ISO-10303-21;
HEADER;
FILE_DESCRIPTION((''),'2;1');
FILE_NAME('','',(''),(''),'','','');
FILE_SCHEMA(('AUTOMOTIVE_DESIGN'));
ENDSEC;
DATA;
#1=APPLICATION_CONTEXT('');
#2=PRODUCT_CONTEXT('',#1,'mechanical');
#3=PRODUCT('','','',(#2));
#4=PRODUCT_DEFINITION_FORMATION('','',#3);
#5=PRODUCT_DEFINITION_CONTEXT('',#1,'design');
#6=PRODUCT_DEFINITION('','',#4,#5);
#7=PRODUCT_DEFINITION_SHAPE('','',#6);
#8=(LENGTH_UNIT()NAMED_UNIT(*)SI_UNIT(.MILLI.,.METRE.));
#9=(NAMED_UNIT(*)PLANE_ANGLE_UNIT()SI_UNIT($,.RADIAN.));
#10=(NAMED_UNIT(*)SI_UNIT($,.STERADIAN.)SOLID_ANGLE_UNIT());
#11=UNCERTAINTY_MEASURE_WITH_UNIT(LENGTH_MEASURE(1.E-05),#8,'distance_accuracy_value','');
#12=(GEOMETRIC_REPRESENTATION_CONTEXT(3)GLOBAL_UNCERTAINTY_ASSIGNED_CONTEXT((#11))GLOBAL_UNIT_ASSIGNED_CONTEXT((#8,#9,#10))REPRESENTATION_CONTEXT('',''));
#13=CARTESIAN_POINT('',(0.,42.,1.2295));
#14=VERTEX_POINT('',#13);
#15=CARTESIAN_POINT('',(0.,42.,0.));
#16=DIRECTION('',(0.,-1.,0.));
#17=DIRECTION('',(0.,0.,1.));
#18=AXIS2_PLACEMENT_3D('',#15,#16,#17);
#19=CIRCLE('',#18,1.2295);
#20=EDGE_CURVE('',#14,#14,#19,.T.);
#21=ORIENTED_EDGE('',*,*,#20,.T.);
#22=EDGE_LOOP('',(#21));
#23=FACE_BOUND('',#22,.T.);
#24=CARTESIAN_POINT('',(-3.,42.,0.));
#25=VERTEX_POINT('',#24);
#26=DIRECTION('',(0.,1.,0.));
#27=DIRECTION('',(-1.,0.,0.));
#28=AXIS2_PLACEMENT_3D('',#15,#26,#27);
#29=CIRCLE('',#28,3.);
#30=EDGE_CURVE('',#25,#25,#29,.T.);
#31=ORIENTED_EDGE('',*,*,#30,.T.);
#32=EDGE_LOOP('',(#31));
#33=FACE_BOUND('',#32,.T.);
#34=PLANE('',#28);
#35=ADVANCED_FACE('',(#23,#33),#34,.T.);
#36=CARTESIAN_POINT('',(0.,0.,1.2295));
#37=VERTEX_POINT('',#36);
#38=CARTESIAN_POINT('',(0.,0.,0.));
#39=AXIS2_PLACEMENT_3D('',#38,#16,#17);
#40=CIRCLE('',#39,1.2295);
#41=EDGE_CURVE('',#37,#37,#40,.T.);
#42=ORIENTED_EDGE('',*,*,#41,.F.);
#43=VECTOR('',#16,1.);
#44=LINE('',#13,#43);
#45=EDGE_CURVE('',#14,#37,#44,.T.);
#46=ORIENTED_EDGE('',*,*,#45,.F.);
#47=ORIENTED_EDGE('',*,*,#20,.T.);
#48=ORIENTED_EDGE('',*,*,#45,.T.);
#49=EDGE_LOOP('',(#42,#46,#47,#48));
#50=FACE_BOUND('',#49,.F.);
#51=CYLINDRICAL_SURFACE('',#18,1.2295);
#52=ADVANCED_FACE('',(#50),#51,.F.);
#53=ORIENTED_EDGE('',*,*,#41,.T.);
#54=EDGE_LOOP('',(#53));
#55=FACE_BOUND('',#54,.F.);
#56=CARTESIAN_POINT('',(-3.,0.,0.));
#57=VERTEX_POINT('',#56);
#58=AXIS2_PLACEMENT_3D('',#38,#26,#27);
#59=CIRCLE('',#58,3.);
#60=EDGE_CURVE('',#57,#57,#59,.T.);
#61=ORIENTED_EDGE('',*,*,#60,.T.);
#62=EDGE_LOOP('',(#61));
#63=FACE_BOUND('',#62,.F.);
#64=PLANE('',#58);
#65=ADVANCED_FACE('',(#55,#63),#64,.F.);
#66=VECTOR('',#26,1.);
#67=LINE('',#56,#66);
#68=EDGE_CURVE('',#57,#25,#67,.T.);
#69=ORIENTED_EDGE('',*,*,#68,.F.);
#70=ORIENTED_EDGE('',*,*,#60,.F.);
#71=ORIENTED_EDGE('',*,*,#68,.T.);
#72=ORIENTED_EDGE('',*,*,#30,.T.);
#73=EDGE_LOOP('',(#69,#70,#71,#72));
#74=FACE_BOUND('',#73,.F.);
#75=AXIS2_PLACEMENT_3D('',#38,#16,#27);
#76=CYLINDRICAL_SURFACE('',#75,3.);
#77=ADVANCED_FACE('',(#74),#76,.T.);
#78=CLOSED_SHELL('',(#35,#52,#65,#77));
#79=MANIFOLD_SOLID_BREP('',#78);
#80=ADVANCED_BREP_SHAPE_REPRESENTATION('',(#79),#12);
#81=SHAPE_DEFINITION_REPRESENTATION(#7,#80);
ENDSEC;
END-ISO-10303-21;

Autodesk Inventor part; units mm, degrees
ref_plane "YZ Plane" through (0, 0, 0) normal (1, 0, 0) x (0, 1, 0)
ref_plane "XZ Plane" through (0, 0, 0) normal (0, 1, 0) x (-1, 0, 0)
ref_plane "XY Plane" through (0, 0, 0) normal (0, 0, 1) x (1, 0, 0)
sketch "スケッチ1" plane through (0, 0, 0) normal (0, 1, 0) x (-1, 0, 0)
  circle A0 centre (0, 0) radius 3
  dimension "d0" = 6
extrude "押し出し1" add sketch "スケッチ1" along normal blind 42
sketch "スケッチ2" plane through (0, 42, 0) normal (0, 1, 0) x (1, 0, 0)
  point P0 (0, 0)
hole "穴1" at (0, 42, 0) direction (0, -1, 0) diameter 2.459 end through all thread size "M3x0.5" class "6H" standard "ISO Metric profile"
properties part number "POT2rod"
